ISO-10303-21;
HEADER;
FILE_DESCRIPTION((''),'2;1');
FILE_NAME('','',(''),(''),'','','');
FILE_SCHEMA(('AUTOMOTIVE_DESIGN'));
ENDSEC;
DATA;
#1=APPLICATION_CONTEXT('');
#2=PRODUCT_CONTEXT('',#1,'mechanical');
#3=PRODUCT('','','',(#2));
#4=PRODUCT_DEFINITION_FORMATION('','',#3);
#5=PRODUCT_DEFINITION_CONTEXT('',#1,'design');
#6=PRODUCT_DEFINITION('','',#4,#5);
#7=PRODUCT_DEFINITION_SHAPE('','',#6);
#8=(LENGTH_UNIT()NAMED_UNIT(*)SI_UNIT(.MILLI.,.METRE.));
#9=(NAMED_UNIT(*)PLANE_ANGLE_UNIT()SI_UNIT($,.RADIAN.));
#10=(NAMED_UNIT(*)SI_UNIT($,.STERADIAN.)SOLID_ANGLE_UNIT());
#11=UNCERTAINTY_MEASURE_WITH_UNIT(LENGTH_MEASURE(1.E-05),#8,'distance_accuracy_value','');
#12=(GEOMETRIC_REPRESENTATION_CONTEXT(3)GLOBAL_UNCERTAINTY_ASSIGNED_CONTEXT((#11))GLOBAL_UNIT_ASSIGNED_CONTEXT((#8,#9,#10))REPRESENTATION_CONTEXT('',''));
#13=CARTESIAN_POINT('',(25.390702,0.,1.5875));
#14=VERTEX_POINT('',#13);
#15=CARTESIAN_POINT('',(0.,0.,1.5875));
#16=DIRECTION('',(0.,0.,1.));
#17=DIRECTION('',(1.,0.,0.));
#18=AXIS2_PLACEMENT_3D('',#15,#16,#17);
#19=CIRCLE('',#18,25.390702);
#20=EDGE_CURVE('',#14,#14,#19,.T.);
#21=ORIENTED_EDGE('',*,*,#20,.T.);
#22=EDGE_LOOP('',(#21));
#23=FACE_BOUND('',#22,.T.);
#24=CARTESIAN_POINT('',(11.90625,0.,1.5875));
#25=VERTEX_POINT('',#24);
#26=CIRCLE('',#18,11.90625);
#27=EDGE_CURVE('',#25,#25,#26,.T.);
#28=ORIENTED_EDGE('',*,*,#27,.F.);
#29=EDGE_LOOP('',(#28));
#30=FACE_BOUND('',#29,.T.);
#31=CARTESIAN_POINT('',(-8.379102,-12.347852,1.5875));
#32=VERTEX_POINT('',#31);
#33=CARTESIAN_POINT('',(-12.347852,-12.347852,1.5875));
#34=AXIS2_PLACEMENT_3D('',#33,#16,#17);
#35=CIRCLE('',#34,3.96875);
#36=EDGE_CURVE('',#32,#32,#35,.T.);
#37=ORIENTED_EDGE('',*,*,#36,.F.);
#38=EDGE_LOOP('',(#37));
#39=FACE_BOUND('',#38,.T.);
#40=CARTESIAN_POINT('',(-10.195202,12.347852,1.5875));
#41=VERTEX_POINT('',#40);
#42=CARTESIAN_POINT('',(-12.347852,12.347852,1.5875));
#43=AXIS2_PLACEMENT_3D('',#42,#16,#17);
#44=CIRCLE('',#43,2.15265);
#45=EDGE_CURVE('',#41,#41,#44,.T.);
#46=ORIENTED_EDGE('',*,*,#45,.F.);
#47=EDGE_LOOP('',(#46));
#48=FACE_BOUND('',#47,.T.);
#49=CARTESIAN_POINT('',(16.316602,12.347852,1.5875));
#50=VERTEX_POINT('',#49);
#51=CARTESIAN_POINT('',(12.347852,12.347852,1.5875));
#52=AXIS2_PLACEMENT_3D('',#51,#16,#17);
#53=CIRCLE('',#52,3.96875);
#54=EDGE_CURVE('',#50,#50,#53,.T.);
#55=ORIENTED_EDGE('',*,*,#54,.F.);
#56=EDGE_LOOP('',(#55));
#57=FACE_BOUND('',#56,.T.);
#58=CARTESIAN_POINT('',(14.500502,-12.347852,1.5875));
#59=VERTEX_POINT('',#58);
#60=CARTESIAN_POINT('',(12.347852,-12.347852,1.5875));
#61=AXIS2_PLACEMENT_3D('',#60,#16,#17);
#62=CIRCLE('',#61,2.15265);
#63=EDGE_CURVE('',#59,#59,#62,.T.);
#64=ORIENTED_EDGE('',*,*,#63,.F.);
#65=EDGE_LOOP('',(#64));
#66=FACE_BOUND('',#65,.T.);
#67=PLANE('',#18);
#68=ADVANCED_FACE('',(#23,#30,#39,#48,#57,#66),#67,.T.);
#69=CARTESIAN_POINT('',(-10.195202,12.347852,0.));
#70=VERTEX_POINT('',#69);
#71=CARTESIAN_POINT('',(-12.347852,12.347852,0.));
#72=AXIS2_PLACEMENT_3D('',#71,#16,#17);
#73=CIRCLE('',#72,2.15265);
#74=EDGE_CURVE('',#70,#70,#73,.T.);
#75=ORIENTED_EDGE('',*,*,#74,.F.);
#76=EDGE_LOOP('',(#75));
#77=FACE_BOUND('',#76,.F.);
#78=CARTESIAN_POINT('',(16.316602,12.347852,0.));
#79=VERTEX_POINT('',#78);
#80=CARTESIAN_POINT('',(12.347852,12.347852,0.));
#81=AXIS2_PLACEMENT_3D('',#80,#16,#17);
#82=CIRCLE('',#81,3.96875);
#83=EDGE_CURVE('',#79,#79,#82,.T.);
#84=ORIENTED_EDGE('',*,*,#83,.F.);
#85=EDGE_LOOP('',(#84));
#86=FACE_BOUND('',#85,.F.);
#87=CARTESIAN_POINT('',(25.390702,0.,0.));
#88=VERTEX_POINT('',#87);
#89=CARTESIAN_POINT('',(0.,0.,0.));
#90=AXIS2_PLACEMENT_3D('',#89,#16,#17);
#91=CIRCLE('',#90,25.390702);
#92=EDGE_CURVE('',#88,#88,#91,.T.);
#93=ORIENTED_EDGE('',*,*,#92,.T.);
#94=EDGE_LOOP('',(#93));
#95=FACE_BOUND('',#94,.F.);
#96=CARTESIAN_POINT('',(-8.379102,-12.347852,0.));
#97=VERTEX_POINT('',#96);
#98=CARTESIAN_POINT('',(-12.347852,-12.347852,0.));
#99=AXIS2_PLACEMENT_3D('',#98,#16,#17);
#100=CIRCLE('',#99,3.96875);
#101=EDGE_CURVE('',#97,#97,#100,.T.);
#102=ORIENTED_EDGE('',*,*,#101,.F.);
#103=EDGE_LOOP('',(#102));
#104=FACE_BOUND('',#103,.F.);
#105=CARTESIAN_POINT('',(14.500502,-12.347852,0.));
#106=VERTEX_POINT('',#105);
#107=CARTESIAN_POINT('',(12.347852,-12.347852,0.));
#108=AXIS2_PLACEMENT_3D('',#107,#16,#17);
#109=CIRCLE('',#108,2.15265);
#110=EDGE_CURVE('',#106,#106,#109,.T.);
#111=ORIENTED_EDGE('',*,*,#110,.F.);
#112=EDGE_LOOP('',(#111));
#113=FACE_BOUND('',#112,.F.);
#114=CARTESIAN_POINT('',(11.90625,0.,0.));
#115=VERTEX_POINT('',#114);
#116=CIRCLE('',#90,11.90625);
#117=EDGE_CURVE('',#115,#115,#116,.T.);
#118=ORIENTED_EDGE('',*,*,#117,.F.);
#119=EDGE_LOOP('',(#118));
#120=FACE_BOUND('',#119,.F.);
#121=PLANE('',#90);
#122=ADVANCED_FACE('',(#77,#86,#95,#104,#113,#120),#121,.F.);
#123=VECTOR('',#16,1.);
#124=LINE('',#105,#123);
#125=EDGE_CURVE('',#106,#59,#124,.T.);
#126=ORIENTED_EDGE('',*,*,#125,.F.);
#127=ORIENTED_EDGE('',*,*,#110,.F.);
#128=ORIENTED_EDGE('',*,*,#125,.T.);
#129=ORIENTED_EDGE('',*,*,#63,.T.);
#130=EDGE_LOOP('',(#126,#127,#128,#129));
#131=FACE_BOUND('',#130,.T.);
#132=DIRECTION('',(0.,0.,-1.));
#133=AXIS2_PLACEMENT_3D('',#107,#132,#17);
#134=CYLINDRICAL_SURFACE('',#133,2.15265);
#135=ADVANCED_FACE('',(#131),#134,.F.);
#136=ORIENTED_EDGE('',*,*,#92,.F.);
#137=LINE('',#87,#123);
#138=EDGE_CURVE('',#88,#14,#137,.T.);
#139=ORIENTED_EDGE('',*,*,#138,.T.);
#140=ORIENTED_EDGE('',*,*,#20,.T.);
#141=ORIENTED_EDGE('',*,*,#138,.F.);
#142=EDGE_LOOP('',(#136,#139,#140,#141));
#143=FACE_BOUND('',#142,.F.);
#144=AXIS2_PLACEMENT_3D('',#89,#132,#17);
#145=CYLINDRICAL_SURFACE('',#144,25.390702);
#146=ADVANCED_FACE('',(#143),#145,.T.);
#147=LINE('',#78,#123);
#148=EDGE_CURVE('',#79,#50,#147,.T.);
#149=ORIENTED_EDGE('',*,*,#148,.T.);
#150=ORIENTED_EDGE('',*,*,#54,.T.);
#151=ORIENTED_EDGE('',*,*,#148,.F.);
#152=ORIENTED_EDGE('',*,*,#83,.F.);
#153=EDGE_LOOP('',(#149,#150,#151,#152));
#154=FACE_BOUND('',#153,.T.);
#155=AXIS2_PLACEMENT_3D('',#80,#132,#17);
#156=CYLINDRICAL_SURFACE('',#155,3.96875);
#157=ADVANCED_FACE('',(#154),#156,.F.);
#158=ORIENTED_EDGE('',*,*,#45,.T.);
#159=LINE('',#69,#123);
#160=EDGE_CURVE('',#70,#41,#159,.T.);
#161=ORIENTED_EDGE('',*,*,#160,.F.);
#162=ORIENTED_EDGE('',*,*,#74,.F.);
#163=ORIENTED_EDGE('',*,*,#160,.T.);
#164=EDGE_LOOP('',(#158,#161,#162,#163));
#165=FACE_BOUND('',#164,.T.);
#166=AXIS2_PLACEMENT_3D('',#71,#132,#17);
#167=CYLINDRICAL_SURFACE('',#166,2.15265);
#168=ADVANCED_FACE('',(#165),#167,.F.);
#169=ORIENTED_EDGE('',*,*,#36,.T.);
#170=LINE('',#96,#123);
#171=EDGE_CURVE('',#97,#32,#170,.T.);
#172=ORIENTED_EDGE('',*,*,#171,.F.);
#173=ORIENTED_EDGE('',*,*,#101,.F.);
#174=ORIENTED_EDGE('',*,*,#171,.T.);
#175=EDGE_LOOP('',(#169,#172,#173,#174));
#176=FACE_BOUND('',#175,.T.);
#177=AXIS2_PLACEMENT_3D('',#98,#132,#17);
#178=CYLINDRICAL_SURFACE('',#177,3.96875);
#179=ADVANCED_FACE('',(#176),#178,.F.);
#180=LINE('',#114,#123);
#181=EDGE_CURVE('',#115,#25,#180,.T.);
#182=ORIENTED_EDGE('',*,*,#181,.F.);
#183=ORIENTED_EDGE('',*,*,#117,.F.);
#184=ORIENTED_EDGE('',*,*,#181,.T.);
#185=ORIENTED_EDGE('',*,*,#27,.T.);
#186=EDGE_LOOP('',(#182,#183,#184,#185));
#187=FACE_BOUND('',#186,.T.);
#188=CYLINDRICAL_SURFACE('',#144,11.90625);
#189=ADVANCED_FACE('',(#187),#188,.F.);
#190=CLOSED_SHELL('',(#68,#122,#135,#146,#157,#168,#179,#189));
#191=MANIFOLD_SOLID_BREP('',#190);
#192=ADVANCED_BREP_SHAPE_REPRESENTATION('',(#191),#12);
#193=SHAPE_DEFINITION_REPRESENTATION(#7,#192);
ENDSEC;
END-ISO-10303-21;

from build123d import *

# Parameters (mm, degrees)
F0_R     = 25.390702
F0_R_2   = 3.96875
F0_R_3   = 2.15265
F0_R_4   = 11.90625
F1_DEPTH = 1.5875


with BuildPart() as f1:
    # F0 (on Top) → F1 (new body)
    with BuildSketch(Plane.XY):
        Circle(F0_R)
        with Locations((-12.347852, -12.347852)):
            Circle(F0_R_2, mode=Mode.SUBTRACT)
        with Locations((12.347852, -12.347852)):
            Circle(F0_R_3, mode=Mode.SUBTRACT)
        with Locations((-12.347852, 12.347852)):
            Circle(F0_R_3, mode=Mode.SUBTRACT)
        Circle(F0_R_4, mode=Mode.SUBTRACT)
        with Locations((12.347852, 12.347852)):
            Circle(F0_R_2, mode=Mode.SUBTRACT)
    extrude(amount=F1_DEPTH)


solid = f1.part
